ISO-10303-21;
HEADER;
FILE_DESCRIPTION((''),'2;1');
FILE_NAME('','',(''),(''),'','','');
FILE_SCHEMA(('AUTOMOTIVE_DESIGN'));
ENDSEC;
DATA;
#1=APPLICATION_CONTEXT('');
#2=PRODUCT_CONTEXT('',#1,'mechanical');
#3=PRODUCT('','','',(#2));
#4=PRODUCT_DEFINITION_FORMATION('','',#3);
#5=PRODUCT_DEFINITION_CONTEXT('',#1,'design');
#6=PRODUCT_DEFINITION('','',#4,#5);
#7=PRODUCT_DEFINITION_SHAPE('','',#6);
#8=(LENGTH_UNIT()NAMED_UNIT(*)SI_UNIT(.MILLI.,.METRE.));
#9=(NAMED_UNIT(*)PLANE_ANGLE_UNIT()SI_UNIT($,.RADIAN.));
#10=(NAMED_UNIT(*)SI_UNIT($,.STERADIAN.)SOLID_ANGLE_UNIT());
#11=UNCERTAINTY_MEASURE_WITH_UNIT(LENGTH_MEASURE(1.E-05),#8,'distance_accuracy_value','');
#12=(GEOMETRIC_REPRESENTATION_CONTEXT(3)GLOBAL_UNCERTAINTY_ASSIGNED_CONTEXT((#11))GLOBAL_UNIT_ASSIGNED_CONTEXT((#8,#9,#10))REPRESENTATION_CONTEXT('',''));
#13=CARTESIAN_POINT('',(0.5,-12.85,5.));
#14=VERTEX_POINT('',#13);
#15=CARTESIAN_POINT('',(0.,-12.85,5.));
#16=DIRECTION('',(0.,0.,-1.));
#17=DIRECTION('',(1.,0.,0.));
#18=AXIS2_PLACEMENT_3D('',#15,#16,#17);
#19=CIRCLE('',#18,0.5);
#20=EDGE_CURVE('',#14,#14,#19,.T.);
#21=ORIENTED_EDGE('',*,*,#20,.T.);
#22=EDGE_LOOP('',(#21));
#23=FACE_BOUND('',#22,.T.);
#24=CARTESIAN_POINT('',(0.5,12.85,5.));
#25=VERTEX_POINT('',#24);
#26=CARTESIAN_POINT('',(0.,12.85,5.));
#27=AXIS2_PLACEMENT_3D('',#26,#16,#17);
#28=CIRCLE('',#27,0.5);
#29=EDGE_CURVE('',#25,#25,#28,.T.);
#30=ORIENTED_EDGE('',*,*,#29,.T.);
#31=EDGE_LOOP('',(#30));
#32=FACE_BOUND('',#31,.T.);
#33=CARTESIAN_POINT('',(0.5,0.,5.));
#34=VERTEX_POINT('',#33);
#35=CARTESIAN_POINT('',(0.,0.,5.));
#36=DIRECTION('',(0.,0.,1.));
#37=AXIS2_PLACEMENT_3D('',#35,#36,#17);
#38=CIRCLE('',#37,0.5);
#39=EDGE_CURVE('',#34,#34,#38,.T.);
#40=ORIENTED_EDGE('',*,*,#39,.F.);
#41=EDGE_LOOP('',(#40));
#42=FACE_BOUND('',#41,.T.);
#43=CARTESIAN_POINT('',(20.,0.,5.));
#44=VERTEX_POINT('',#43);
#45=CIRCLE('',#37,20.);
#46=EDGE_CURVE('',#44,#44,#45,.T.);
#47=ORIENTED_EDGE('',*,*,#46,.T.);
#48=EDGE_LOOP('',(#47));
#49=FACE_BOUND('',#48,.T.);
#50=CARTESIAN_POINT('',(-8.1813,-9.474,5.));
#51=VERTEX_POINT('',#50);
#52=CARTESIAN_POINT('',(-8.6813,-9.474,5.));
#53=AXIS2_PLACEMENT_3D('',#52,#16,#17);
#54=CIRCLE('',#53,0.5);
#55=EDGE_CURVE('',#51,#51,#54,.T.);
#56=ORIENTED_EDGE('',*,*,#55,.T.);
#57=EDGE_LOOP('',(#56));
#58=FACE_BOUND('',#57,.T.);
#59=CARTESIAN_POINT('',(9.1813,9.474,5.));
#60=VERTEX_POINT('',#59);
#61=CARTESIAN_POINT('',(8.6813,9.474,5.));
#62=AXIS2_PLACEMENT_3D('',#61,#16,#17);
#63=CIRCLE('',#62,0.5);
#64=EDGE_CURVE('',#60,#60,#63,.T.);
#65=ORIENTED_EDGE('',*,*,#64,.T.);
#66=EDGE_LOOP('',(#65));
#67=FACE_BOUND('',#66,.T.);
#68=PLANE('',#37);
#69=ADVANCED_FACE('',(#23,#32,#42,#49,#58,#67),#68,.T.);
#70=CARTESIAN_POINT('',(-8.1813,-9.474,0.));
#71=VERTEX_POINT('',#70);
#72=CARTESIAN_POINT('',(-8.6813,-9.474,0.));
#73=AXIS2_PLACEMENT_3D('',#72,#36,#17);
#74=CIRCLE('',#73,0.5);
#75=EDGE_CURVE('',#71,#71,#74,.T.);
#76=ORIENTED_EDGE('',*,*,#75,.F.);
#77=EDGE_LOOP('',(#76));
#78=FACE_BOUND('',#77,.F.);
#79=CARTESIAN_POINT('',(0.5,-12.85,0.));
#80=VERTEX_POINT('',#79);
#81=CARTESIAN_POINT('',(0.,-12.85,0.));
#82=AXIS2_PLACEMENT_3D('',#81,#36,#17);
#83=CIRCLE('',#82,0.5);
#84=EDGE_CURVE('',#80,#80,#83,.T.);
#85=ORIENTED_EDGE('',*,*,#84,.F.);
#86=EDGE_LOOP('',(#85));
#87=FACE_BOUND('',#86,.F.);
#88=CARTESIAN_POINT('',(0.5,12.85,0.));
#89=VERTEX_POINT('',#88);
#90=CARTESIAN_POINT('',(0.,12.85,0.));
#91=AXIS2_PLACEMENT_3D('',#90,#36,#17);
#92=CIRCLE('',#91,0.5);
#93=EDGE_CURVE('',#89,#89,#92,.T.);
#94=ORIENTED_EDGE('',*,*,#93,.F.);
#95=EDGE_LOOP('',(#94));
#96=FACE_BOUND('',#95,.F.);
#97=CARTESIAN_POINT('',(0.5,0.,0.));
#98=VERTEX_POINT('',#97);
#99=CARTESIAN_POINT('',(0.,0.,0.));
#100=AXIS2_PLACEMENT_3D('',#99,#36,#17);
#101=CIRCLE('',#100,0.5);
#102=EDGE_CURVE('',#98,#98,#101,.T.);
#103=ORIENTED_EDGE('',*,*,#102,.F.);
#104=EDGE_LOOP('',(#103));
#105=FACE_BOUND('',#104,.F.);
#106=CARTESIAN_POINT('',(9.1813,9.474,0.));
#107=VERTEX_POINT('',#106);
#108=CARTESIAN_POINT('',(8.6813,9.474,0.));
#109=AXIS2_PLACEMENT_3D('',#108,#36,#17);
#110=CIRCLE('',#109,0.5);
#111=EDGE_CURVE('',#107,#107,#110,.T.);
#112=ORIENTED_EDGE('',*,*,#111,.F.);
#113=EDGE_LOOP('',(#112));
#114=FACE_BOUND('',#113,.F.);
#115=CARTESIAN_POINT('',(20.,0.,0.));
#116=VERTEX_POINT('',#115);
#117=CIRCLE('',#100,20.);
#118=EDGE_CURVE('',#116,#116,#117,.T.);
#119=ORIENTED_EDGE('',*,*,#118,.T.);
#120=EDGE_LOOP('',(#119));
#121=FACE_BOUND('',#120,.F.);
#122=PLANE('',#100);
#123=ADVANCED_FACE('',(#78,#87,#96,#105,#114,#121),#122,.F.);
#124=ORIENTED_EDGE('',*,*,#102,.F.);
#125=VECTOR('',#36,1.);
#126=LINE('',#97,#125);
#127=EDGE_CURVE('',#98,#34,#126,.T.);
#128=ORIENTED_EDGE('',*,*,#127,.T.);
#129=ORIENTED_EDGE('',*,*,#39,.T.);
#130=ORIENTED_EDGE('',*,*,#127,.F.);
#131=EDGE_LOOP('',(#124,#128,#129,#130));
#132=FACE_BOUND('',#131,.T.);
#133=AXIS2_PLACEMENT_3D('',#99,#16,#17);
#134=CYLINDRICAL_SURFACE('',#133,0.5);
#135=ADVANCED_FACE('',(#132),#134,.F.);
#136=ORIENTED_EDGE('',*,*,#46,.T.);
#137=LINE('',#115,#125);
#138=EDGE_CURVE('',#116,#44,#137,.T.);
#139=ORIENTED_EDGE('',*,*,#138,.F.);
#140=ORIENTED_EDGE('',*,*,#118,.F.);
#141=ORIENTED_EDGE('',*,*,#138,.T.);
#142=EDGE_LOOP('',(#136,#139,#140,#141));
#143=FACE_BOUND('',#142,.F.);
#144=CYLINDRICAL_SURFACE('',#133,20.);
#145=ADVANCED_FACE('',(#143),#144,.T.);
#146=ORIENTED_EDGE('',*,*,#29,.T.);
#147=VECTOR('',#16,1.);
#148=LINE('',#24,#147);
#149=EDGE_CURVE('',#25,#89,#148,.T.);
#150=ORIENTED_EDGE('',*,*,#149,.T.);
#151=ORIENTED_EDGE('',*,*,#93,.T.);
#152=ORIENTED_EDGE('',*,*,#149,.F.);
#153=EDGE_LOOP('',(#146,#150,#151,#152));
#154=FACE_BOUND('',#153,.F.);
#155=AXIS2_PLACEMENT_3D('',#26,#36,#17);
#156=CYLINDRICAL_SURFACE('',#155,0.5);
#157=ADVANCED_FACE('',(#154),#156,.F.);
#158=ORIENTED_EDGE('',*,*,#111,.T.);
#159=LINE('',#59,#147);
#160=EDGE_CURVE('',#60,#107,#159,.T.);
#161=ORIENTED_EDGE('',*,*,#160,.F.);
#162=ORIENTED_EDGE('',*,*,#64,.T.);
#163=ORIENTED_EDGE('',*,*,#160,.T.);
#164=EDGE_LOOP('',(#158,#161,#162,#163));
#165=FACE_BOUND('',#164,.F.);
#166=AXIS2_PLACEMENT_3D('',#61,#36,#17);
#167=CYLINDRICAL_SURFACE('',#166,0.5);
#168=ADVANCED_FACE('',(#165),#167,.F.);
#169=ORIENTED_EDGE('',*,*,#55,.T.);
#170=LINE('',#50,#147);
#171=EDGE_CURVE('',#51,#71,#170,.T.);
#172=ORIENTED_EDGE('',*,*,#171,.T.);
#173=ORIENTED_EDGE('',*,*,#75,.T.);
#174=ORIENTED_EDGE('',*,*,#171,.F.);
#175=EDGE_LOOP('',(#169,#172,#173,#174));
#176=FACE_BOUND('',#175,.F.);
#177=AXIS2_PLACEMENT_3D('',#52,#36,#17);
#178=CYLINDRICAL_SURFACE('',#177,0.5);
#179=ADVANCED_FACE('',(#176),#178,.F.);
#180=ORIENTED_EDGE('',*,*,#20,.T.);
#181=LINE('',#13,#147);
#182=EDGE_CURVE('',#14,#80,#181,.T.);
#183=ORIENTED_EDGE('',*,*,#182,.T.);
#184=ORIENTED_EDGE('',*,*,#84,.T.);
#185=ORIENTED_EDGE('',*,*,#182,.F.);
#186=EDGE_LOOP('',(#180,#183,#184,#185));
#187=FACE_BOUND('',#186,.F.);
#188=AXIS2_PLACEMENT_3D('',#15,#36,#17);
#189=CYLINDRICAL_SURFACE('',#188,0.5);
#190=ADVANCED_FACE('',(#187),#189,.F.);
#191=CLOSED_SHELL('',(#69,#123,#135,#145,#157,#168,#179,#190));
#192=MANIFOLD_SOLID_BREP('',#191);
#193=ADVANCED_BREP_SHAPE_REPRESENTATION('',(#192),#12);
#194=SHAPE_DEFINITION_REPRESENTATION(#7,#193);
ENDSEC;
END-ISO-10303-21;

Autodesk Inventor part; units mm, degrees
ref_plane "YZ Plane" through (0, 0, 0) normal (1, 0, 0) x (0, 1, 0)
ref_plane "XZ Plane" through (0, 0, 0) normal (0, 1, 0) x (-1, 0, 0)
ref_plane "XY Plane" through (0, 0, 0) normal (0, 0, 1) x (1, 0, 0)
sketch "Sketch1" plane through (0, 0, 0) normal (0, 0, 1) x (1, 0, 0)
  circle A0 centre (0, 0) radius 20
  circle A1 centre (0, 0) radius 0.5
  dimension "d0" = 40
  dimension "d1" = 1
extrude "Extrusion1" add sketch "Sketch1" along normal blind 5
sketch "Sketch2" plane through (0, 0, 5) normal (0, 0, 1) x (1, 0, 0)
  circle A0 centre (0, 0) radius 0.5 projected
  line L0 (0, 0) -> (0, 12.85)
  circle A1 centre (0, 12.85) radius 0.5
  line L1 (0, 0) -> (8.6813, 9.474)
  circle A2 centre (8.6813, 9.474) radius 0.5
  circle A3 centre (0, 0) radius 20 projected
  line L2 (0, 0) -> (-20, 0)
  line L3 (0, 0) -> (20, 0) construction
  line L4 (0, 0) -> (-8.6813, -9.474)
  line L5 (0, 0) -> (12.85, 0) construction
  circle A4 centre (-8.6813, -9.474) radius 0.5
  line L6 (0, 0) -> (0, -12.85)
  circle A5 centre (0, -12.85) radius 0.5
  dimension "d4" = 12.85
  dimension "d5" = 1
  dimension "d6" = 12.85
  dimension "d8" = 1
  dimension "d15" = 90
  dimension "d17" = 47.5
  dimension "d18" = 42.5
  dimension "d20" = 12.85
  dimension "d21" = 132.5
  dimension "d22" = 1
  dimension "d23" = 12.85
  dimension "d24" = 1
  dimension "d25" = 42.5
extrude "Extrusion2" cut sketch "Sketch2" against normal blind 5 contours A5 | A4 | A1 | A2
properties part number "dondurgec"
